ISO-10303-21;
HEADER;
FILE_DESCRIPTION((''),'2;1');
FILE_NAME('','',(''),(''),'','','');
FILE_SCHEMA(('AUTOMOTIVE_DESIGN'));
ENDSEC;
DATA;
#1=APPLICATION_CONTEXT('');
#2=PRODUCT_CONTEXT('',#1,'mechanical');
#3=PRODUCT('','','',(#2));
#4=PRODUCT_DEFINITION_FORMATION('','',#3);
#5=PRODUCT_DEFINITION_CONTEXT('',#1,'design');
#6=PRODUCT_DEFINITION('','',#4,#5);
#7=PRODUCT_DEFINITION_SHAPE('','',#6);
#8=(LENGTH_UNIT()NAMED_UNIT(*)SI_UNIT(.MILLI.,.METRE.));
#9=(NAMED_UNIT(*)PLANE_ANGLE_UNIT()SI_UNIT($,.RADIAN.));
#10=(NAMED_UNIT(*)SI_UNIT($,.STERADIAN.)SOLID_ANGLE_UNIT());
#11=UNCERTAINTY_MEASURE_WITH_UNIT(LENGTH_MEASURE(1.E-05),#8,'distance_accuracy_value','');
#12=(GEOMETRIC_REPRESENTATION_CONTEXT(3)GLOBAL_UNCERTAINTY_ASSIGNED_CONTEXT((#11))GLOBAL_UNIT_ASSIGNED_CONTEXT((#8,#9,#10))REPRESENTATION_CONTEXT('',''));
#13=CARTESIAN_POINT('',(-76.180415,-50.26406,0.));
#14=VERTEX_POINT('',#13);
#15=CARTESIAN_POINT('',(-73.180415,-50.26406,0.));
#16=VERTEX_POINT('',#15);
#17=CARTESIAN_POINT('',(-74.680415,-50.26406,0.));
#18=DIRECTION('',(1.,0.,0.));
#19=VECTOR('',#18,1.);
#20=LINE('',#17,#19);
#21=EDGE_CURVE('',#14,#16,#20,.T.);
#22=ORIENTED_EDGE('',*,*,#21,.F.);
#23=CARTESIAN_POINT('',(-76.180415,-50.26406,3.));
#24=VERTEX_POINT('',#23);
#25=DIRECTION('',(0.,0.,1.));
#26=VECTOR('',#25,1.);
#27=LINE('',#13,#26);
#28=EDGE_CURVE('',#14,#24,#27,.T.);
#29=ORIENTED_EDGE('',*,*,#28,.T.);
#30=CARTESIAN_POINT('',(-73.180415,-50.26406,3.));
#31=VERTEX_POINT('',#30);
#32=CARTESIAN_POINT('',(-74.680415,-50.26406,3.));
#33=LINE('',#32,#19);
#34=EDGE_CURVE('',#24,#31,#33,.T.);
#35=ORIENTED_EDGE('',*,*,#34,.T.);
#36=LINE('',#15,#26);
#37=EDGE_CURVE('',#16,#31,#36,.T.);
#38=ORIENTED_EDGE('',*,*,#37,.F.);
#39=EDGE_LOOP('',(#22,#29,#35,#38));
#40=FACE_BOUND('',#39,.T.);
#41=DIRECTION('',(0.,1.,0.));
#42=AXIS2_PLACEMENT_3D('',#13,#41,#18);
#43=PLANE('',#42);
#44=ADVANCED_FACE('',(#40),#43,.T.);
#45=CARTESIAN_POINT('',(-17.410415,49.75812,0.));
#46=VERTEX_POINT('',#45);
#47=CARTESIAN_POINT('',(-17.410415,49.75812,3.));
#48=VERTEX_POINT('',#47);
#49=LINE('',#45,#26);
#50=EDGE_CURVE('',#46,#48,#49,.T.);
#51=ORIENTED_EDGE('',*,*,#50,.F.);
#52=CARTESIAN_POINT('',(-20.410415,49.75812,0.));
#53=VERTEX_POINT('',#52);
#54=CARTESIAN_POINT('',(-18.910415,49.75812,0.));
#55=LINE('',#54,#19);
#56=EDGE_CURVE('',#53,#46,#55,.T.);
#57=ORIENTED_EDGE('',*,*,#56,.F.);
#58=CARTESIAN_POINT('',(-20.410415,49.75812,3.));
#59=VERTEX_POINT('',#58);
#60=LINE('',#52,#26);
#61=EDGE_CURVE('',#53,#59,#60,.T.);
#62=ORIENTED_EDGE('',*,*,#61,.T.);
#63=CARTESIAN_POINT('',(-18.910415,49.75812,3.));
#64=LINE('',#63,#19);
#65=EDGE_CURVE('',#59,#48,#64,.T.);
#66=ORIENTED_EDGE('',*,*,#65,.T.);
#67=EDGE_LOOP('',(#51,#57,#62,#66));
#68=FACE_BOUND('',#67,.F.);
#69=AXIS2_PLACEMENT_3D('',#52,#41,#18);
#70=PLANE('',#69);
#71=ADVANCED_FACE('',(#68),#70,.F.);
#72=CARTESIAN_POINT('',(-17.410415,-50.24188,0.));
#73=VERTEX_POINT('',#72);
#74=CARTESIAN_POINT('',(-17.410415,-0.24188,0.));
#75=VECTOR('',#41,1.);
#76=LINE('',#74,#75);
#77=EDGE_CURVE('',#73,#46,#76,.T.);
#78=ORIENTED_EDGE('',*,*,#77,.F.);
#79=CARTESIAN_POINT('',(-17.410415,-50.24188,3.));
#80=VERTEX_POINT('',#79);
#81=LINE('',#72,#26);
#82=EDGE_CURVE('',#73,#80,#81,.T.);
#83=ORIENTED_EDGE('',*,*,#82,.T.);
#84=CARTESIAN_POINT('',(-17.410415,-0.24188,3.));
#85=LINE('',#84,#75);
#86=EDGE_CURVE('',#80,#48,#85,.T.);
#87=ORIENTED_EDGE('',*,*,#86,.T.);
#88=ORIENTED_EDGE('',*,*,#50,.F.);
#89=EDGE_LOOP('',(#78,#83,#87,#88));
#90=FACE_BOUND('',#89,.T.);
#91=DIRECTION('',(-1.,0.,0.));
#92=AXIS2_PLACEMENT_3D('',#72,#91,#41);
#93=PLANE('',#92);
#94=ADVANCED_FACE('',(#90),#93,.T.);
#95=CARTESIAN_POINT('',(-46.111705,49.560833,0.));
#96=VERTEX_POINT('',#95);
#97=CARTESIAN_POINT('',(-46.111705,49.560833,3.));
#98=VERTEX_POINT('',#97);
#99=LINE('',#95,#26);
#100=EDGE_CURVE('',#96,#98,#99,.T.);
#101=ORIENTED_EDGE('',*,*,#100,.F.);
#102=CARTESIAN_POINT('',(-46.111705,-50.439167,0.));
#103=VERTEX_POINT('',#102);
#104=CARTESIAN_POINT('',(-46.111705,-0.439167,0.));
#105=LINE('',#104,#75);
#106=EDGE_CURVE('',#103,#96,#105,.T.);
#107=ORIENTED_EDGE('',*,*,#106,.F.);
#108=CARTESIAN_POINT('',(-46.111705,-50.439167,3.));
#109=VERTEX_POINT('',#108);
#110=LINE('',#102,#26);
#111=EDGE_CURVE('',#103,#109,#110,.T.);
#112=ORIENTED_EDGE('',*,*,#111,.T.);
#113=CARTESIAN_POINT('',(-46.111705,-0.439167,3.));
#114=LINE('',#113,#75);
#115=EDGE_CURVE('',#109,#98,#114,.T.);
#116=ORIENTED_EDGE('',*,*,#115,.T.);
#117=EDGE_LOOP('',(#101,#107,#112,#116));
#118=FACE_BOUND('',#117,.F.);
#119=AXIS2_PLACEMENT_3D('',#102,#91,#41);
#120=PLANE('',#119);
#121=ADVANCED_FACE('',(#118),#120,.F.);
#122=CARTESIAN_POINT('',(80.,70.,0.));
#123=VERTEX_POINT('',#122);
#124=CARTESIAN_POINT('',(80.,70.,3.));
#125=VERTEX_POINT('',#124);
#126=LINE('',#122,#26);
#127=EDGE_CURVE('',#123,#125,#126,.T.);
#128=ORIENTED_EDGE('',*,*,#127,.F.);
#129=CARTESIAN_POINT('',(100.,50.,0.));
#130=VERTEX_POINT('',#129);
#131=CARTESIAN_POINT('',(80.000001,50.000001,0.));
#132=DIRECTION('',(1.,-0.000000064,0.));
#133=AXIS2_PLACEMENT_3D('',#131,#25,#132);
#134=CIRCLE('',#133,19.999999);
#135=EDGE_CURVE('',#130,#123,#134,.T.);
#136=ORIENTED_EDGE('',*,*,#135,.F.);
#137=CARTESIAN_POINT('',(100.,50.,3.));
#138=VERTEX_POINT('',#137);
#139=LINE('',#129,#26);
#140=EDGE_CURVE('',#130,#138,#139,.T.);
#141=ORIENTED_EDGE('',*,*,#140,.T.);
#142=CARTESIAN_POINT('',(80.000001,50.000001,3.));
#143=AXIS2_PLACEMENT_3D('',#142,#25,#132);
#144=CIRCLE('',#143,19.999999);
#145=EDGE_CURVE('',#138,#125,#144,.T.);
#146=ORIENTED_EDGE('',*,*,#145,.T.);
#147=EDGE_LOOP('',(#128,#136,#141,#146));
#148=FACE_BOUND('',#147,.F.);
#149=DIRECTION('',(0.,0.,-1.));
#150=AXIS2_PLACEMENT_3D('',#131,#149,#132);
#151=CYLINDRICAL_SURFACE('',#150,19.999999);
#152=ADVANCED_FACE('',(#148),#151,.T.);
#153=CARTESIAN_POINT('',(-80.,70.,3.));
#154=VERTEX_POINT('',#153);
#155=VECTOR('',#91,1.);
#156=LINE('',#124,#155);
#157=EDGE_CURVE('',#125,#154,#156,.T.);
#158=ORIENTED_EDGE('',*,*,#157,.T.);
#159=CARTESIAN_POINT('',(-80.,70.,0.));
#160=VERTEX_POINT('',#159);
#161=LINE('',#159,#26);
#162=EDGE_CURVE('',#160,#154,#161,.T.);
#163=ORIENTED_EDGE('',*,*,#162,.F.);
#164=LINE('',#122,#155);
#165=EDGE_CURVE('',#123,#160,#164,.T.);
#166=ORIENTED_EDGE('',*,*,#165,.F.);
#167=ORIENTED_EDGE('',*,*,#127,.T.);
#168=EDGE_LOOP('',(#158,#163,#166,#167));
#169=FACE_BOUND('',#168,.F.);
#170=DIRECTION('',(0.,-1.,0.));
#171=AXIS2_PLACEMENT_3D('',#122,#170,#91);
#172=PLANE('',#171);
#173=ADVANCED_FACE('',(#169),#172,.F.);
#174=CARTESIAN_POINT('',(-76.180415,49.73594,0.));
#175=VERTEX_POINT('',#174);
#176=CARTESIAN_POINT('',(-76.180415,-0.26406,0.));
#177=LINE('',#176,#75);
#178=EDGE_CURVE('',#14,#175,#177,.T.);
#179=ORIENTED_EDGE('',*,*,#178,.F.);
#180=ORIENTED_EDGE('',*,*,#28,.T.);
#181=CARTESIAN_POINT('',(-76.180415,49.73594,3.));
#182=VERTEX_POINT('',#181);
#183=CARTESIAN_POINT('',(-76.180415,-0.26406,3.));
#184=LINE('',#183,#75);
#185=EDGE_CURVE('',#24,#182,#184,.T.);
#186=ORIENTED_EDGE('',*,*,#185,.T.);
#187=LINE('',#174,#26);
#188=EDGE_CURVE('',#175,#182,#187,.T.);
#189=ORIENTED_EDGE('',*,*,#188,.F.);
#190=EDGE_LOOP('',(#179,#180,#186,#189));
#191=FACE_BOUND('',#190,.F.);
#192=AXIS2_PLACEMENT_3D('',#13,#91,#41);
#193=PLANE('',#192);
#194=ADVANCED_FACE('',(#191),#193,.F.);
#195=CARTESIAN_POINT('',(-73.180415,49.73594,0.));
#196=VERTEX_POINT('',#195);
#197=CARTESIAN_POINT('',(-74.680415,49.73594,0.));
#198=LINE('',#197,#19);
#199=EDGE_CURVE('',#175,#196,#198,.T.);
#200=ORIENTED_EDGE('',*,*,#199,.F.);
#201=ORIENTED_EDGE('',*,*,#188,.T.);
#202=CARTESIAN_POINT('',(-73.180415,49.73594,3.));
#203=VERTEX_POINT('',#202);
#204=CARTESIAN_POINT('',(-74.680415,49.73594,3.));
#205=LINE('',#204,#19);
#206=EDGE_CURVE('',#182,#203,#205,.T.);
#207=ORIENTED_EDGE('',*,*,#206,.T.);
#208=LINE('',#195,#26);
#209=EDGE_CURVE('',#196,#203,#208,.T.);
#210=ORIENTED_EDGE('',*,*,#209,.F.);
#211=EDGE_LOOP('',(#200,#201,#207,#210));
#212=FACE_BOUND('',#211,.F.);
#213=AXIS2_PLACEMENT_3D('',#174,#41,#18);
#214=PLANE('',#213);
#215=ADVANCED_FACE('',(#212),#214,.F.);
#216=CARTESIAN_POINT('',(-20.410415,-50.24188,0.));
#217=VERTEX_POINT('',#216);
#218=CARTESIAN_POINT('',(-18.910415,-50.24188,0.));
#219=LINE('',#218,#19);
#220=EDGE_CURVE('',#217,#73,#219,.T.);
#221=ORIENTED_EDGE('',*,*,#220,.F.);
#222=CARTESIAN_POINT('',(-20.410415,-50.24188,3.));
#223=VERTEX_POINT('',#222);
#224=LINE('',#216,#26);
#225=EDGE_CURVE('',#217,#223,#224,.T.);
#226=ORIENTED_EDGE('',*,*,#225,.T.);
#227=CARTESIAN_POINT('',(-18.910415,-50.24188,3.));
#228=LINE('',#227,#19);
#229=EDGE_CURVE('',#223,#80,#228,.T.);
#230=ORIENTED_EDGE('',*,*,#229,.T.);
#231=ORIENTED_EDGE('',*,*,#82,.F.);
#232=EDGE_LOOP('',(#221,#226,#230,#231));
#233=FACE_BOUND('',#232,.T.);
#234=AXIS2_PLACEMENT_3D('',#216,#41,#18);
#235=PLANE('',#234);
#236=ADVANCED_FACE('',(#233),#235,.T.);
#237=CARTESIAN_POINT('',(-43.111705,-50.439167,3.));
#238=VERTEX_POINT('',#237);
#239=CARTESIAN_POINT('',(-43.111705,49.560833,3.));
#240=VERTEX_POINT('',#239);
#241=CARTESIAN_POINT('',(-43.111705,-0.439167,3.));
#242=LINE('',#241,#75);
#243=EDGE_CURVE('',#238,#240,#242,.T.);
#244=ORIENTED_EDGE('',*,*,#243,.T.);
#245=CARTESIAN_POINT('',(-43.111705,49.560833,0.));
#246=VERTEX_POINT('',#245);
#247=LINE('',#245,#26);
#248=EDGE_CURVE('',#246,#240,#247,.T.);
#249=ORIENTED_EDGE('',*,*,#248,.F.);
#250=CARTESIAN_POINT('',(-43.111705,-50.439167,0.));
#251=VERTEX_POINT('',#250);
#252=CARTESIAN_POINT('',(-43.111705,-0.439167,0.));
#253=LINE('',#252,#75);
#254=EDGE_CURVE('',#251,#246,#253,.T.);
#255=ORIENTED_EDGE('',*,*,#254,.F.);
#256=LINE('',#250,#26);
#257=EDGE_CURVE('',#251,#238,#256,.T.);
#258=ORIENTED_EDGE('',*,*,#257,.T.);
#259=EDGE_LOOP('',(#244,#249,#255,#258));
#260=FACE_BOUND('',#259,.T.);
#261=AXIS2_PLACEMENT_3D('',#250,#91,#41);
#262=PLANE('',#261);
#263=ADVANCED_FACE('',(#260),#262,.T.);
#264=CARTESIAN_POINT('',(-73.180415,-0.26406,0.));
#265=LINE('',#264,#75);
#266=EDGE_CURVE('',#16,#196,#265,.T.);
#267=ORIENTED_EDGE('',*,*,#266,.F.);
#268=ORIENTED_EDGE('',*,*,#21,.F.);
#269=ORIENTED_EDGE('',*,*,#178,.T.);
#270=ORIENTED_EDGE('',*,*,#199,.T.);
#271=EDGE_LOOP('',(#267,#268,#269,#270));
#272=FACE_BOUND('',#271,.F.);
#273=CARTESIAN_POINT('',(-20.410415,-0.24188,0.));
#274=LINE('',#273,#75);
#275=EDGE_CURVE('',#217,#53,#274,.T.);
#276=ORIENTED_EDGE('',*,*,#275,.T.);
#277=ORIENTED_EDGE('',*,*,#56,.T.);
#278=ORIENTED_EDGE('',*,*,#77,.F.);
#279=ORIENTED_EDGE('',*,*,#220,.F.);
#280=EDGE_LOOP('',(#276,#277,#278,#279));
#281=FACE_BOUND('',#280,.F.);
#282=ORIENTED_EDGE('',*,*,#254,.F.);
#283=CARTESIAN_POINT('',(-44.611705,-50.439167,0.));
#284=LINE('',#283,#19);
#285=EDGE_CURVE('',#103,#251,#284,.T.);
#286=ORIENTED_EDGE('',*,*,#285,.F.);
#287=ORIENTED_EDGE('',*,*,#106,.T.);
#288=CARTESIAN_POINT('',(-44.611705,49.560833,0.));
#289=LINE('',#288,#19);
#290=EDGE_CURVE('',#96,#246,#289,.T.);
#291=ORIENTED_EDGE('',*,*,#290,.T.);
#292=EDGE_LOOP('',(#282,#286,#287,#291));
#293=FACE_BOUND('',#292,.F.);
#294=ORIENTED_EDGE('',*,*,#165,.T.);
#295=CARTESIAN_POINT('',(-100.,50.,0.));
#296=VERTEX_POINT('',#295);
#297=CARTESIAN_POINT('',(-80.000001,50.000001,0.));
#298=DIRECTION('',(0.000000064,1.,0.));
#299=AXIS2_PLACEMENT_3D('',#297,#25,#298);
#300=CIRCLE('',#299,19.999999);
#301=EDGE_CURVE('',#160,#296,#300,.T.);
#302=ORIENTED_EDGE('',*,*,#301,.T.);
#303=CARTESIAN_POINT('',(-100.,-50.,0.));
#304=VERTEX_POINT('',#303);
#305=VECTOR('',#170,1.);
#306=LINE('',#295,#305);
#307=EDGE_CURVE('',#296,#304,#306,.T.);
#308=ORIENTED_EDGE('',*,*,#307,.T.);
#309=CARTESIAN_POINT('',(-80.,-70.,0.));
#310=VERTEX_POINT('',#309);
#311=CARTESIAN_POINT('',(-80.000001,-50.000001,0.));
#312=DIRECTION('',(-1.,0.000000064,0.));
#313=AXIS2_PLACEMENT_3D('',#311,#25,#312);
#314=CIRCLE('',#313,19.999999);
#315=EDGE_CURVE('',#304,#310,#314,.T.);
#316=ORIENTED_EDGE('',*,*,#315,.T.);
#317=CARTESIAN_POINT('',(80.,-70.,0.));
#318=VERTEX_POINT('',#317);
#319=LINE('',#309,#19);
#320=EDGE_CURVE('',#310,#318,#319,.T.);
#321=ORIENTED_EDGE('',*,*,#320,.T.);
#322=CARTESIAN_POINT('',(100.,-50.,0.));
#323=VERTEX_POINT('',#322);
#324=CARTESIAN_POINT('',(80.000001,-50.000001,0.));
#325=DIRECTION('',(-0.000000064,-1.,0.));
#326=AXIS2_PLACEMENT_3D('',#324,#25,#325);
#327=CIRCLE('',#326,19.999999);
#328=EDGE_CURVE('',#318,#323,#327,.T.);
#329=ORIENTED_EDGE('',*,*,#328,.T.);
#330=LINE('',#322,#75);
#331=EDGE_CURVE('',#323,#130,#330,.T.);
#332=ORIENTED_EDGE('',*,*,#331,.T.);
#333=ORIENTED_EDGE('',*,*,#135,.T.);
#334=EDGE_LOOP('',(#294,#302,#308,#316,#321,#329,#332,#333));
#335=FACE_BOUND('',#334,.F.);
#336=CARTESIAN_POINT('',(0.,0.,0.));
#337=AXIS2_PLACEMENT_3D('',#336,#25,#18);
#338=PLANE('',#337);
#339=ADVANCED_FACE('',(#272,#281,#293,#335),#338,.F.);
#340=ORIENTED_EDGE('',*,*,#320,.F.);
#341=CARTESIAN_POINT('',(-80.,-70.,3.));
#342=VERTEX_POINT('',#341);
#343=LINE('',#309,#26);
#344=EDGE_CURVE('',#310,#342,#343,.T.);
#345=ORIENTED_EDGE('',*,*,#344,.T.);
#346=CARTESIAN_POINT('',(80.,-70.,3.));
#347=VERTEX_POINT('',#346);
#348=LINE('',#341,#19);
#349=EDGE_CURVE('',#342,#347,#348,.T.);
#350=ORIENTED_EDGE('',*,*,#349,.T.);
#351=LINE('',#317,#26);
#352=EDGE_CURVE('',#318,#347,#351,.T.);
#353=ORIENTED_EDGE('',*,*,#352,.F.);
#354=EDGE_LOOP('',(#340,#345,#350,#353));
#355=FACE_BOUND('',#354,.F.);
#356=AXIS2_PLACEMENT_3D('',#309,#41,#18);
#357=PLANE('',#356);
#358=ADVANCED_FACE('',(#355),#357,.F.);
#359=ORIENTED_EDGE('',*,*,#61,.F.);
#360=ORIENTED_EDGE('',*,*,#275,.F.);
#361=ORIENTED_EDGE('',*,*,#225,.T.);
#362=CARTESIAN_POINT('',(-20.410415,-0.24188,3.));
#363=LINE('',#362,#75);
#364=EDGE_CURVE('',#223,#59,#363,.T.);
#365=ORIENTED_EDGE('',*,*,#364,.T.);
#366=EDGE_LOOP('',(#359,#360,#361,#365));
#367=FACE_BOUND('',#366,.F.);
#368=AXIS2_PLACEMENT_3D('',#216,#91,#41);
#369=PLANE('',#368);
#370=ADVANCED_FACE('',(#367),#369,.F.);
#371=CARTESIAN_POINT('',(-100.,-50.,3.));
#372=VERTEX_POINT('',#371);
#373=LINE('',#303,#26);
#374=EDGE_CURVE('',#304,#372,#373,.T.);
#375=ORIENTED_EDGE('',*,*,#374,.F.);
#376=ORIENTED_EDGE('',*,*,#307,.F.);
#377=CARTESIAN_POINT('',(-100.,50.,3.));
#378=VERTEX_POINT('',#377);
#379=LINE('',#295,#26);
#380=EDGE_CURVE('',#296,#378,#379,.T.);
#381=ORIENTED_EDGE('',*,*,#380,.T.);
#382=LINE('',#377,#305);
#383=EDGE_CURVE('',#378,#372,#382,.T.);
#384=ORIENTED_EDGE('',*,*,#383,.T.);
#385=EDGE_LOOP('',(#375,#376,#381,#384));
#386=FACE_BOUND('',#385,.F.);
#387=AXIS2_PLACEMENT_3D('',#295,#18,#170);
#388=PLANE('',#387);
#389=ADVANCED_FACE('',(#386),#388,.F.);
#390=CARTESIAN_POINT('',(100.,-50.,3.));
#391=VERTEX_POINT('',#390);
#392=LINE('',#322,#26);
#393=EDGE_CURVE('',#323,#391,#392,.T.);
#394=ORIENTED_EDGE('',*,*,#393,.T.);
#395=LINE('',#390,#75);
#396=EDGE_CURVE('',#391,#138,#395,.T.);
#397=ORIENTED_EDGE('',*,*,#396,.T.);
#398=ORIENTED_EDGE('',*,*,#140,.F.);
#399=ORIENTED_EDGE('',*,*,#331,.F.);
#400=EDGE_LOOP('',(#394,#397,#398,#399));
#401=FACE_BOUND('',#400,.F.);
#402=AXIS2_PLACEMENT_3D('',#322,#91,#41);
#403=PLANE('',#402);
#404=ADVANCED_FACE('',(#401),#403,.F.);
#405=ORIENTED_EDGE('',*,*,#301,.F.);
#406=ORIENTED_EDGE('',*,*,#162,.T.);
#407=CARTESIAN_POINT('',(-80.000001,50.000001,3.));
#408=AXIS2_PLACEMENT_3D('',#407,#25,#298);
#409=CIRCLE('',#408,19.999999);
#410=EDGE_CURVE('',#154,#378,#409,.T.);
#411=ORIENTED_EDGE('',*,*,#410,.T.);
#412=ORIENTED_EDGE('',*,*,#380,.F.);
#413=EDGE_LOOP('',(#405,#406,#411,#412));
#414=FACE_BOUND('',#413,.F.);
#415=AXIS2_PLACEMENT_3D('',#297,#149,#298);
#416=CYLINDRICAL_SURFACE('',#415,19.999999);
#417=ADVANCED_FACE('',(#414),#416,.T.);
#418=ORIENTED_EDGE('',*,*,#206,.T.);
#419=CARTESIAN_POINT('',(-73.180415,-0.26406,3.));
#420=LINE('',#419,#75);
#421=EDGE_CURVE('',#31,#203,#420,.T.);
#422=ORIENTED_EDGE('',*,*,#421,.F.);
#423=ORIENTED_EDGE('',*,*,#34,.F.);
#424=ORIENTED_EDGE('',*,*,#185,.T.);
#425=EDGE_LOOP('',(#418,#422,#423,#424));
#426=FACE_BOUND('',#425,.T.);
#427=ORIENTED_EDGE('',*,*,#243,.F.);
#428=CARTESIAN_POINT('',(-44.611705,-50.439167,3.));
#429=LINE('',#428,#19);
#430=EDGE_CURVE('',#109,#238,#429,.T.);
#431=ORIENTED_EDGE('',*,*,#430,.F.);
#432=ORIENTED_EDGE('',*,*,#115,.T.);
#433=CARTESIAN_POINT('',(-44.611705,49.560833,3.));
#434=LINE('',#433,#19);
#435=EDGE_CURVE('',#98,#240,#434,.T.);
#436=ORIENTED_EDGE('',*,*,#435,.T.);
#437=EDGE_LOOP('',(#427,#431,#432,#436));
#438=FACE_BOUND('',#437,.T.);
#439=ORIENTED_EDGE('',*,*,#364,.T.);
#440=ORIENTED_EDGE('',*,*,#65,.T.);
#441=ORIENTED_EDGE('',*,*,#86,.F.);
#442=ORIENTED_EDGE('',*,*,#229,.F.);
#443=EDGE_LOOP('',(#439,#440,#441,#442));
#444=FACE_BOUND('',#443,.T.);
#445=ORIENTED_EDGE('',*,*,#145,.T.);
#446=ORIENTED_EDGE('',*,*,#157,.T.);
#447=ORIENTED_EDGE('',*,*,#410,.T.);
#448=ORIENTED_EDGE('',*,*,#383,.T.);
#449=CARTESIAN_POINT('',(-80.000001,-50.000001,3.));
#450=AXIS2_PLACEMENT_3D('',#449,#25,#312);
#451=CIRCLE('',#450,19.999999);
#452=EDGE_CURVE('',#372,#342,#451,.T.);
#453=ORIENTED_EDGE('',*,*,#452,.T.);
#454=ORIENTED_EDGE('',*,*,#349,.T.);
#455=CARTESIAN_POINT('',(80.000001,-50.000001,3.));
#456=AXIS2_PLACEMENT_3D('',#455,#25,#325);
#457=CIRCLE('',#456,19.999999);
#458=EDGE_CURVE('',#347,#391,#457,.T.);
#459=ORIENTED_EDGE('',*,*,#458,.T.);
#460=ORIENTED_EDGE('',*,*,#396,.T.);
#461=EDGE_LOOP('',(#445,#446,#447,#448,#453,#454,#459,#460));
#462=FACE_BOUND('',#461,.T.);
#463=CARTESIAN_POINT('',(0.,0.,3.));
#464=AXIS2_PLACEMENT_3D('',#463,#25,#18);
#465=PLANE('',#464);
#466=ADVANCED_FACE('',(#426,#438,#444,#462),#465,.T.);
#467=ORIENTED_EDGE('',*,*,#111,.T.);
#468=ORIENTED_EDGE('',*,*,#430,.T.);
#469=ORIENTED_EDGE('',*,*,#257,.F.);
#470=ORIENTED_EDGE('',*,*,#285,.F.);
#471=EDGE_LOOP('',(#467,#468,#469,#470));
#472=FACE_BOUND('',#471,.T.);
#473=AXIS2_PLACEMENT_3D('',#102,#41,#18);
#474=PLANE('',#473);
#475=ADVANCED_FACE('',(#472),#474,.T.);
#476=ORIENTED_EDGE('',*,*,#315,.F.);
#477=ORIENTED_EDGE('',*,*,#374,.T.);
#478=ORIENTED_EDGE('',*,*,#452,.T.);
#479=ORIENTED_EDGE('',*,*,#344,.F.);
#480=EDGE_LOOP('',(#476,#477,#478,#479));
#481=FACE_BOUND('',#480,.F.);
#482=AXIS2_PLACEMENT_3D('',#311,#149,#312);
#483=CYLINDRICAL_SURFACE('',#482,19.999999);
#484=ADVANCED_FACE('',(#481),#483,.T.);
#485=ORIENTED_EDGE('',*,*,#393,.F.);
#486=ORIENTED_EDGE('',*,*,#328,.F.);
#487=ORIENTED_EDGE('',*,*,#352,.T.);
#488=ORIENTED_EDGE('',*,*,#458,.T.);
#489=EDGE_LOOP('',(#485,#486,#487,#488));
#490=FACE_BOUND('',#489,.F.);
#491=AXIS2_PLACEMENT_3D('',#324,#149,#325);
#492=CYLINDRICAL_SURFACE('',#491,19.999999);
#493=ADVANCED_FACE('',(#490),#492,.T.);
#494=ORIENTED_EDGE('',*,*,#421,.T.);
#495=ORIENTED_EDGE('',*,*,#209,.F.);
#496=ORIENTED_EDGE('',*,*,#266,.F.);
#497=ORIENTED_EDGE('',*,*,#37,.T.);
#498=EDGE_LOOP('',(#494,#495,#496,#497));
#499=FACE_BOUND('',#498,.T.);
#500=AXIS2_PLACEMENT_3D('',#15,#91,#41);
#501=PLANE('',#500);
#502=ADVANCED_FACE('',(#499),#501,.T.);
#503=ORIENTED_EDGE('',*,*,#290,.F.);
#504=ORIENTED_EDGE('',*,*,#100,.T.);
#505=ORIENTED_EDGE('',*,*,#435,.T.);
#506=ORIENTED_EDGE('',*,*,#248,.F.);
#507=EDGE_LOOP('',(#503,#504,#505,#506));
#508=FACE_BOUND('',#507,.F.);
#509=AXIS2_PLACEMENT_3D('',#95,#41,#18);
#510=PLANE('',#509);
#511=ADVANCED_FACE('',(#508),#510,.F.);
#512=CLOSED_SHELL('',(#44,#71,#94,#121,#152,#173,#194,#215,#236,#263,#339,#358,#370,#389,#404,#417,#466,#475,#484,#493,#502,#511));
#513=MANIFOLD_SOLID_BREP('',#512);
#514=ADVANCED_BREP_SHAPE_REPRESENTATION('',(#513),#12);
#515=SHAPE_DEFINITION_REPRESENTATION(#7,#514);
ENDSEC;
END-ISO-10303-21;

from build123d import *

# Parameters (mm, degrees)
F0_W     = 3
F0_H     = 100
F1_DEPTH = 3


with BuildPart() as f1:
    # F0 (on Top) → F1 (new body)
    with BuildSketch(Plane.XY):
        with BuildLine():
            Line((-80, -70), (80, -70))
            ThreePointArc((80, -70), (94.142136, -64.142136), (100, -50))
            Line((100, -50), (100, 50))
            ThreePointArc((100, 50), (94.142136, 64.142136), (80, 70))
            Line((80, 70), (-80, 70))
            ThreePointArc((-80, 70), (-94.142136, 64.142136), (-100, 50))
            Line((-100, 50), (-100, -50))
            ThreePointArc((-100, -50), (-94.142136, -64.142136), (-80, -70))
        make_face()
        with Locations((-74.680415, -0.26406)):
            Rectangle(F0_W, F0_H, mode=Mode.SUBTRACT)
        with Locations((-44.611705, -0.439167)):
            Rectangle(F0_W, F0_H, mode=Mode.SUBTRACT)
        with Locations((-18.910415, -0.24188)):
            Rectangle(F0_W, F0_H, mode=Mode.SUBTRACT)
    extrude(amount=F1_DEPTH)


solid = f1.part
